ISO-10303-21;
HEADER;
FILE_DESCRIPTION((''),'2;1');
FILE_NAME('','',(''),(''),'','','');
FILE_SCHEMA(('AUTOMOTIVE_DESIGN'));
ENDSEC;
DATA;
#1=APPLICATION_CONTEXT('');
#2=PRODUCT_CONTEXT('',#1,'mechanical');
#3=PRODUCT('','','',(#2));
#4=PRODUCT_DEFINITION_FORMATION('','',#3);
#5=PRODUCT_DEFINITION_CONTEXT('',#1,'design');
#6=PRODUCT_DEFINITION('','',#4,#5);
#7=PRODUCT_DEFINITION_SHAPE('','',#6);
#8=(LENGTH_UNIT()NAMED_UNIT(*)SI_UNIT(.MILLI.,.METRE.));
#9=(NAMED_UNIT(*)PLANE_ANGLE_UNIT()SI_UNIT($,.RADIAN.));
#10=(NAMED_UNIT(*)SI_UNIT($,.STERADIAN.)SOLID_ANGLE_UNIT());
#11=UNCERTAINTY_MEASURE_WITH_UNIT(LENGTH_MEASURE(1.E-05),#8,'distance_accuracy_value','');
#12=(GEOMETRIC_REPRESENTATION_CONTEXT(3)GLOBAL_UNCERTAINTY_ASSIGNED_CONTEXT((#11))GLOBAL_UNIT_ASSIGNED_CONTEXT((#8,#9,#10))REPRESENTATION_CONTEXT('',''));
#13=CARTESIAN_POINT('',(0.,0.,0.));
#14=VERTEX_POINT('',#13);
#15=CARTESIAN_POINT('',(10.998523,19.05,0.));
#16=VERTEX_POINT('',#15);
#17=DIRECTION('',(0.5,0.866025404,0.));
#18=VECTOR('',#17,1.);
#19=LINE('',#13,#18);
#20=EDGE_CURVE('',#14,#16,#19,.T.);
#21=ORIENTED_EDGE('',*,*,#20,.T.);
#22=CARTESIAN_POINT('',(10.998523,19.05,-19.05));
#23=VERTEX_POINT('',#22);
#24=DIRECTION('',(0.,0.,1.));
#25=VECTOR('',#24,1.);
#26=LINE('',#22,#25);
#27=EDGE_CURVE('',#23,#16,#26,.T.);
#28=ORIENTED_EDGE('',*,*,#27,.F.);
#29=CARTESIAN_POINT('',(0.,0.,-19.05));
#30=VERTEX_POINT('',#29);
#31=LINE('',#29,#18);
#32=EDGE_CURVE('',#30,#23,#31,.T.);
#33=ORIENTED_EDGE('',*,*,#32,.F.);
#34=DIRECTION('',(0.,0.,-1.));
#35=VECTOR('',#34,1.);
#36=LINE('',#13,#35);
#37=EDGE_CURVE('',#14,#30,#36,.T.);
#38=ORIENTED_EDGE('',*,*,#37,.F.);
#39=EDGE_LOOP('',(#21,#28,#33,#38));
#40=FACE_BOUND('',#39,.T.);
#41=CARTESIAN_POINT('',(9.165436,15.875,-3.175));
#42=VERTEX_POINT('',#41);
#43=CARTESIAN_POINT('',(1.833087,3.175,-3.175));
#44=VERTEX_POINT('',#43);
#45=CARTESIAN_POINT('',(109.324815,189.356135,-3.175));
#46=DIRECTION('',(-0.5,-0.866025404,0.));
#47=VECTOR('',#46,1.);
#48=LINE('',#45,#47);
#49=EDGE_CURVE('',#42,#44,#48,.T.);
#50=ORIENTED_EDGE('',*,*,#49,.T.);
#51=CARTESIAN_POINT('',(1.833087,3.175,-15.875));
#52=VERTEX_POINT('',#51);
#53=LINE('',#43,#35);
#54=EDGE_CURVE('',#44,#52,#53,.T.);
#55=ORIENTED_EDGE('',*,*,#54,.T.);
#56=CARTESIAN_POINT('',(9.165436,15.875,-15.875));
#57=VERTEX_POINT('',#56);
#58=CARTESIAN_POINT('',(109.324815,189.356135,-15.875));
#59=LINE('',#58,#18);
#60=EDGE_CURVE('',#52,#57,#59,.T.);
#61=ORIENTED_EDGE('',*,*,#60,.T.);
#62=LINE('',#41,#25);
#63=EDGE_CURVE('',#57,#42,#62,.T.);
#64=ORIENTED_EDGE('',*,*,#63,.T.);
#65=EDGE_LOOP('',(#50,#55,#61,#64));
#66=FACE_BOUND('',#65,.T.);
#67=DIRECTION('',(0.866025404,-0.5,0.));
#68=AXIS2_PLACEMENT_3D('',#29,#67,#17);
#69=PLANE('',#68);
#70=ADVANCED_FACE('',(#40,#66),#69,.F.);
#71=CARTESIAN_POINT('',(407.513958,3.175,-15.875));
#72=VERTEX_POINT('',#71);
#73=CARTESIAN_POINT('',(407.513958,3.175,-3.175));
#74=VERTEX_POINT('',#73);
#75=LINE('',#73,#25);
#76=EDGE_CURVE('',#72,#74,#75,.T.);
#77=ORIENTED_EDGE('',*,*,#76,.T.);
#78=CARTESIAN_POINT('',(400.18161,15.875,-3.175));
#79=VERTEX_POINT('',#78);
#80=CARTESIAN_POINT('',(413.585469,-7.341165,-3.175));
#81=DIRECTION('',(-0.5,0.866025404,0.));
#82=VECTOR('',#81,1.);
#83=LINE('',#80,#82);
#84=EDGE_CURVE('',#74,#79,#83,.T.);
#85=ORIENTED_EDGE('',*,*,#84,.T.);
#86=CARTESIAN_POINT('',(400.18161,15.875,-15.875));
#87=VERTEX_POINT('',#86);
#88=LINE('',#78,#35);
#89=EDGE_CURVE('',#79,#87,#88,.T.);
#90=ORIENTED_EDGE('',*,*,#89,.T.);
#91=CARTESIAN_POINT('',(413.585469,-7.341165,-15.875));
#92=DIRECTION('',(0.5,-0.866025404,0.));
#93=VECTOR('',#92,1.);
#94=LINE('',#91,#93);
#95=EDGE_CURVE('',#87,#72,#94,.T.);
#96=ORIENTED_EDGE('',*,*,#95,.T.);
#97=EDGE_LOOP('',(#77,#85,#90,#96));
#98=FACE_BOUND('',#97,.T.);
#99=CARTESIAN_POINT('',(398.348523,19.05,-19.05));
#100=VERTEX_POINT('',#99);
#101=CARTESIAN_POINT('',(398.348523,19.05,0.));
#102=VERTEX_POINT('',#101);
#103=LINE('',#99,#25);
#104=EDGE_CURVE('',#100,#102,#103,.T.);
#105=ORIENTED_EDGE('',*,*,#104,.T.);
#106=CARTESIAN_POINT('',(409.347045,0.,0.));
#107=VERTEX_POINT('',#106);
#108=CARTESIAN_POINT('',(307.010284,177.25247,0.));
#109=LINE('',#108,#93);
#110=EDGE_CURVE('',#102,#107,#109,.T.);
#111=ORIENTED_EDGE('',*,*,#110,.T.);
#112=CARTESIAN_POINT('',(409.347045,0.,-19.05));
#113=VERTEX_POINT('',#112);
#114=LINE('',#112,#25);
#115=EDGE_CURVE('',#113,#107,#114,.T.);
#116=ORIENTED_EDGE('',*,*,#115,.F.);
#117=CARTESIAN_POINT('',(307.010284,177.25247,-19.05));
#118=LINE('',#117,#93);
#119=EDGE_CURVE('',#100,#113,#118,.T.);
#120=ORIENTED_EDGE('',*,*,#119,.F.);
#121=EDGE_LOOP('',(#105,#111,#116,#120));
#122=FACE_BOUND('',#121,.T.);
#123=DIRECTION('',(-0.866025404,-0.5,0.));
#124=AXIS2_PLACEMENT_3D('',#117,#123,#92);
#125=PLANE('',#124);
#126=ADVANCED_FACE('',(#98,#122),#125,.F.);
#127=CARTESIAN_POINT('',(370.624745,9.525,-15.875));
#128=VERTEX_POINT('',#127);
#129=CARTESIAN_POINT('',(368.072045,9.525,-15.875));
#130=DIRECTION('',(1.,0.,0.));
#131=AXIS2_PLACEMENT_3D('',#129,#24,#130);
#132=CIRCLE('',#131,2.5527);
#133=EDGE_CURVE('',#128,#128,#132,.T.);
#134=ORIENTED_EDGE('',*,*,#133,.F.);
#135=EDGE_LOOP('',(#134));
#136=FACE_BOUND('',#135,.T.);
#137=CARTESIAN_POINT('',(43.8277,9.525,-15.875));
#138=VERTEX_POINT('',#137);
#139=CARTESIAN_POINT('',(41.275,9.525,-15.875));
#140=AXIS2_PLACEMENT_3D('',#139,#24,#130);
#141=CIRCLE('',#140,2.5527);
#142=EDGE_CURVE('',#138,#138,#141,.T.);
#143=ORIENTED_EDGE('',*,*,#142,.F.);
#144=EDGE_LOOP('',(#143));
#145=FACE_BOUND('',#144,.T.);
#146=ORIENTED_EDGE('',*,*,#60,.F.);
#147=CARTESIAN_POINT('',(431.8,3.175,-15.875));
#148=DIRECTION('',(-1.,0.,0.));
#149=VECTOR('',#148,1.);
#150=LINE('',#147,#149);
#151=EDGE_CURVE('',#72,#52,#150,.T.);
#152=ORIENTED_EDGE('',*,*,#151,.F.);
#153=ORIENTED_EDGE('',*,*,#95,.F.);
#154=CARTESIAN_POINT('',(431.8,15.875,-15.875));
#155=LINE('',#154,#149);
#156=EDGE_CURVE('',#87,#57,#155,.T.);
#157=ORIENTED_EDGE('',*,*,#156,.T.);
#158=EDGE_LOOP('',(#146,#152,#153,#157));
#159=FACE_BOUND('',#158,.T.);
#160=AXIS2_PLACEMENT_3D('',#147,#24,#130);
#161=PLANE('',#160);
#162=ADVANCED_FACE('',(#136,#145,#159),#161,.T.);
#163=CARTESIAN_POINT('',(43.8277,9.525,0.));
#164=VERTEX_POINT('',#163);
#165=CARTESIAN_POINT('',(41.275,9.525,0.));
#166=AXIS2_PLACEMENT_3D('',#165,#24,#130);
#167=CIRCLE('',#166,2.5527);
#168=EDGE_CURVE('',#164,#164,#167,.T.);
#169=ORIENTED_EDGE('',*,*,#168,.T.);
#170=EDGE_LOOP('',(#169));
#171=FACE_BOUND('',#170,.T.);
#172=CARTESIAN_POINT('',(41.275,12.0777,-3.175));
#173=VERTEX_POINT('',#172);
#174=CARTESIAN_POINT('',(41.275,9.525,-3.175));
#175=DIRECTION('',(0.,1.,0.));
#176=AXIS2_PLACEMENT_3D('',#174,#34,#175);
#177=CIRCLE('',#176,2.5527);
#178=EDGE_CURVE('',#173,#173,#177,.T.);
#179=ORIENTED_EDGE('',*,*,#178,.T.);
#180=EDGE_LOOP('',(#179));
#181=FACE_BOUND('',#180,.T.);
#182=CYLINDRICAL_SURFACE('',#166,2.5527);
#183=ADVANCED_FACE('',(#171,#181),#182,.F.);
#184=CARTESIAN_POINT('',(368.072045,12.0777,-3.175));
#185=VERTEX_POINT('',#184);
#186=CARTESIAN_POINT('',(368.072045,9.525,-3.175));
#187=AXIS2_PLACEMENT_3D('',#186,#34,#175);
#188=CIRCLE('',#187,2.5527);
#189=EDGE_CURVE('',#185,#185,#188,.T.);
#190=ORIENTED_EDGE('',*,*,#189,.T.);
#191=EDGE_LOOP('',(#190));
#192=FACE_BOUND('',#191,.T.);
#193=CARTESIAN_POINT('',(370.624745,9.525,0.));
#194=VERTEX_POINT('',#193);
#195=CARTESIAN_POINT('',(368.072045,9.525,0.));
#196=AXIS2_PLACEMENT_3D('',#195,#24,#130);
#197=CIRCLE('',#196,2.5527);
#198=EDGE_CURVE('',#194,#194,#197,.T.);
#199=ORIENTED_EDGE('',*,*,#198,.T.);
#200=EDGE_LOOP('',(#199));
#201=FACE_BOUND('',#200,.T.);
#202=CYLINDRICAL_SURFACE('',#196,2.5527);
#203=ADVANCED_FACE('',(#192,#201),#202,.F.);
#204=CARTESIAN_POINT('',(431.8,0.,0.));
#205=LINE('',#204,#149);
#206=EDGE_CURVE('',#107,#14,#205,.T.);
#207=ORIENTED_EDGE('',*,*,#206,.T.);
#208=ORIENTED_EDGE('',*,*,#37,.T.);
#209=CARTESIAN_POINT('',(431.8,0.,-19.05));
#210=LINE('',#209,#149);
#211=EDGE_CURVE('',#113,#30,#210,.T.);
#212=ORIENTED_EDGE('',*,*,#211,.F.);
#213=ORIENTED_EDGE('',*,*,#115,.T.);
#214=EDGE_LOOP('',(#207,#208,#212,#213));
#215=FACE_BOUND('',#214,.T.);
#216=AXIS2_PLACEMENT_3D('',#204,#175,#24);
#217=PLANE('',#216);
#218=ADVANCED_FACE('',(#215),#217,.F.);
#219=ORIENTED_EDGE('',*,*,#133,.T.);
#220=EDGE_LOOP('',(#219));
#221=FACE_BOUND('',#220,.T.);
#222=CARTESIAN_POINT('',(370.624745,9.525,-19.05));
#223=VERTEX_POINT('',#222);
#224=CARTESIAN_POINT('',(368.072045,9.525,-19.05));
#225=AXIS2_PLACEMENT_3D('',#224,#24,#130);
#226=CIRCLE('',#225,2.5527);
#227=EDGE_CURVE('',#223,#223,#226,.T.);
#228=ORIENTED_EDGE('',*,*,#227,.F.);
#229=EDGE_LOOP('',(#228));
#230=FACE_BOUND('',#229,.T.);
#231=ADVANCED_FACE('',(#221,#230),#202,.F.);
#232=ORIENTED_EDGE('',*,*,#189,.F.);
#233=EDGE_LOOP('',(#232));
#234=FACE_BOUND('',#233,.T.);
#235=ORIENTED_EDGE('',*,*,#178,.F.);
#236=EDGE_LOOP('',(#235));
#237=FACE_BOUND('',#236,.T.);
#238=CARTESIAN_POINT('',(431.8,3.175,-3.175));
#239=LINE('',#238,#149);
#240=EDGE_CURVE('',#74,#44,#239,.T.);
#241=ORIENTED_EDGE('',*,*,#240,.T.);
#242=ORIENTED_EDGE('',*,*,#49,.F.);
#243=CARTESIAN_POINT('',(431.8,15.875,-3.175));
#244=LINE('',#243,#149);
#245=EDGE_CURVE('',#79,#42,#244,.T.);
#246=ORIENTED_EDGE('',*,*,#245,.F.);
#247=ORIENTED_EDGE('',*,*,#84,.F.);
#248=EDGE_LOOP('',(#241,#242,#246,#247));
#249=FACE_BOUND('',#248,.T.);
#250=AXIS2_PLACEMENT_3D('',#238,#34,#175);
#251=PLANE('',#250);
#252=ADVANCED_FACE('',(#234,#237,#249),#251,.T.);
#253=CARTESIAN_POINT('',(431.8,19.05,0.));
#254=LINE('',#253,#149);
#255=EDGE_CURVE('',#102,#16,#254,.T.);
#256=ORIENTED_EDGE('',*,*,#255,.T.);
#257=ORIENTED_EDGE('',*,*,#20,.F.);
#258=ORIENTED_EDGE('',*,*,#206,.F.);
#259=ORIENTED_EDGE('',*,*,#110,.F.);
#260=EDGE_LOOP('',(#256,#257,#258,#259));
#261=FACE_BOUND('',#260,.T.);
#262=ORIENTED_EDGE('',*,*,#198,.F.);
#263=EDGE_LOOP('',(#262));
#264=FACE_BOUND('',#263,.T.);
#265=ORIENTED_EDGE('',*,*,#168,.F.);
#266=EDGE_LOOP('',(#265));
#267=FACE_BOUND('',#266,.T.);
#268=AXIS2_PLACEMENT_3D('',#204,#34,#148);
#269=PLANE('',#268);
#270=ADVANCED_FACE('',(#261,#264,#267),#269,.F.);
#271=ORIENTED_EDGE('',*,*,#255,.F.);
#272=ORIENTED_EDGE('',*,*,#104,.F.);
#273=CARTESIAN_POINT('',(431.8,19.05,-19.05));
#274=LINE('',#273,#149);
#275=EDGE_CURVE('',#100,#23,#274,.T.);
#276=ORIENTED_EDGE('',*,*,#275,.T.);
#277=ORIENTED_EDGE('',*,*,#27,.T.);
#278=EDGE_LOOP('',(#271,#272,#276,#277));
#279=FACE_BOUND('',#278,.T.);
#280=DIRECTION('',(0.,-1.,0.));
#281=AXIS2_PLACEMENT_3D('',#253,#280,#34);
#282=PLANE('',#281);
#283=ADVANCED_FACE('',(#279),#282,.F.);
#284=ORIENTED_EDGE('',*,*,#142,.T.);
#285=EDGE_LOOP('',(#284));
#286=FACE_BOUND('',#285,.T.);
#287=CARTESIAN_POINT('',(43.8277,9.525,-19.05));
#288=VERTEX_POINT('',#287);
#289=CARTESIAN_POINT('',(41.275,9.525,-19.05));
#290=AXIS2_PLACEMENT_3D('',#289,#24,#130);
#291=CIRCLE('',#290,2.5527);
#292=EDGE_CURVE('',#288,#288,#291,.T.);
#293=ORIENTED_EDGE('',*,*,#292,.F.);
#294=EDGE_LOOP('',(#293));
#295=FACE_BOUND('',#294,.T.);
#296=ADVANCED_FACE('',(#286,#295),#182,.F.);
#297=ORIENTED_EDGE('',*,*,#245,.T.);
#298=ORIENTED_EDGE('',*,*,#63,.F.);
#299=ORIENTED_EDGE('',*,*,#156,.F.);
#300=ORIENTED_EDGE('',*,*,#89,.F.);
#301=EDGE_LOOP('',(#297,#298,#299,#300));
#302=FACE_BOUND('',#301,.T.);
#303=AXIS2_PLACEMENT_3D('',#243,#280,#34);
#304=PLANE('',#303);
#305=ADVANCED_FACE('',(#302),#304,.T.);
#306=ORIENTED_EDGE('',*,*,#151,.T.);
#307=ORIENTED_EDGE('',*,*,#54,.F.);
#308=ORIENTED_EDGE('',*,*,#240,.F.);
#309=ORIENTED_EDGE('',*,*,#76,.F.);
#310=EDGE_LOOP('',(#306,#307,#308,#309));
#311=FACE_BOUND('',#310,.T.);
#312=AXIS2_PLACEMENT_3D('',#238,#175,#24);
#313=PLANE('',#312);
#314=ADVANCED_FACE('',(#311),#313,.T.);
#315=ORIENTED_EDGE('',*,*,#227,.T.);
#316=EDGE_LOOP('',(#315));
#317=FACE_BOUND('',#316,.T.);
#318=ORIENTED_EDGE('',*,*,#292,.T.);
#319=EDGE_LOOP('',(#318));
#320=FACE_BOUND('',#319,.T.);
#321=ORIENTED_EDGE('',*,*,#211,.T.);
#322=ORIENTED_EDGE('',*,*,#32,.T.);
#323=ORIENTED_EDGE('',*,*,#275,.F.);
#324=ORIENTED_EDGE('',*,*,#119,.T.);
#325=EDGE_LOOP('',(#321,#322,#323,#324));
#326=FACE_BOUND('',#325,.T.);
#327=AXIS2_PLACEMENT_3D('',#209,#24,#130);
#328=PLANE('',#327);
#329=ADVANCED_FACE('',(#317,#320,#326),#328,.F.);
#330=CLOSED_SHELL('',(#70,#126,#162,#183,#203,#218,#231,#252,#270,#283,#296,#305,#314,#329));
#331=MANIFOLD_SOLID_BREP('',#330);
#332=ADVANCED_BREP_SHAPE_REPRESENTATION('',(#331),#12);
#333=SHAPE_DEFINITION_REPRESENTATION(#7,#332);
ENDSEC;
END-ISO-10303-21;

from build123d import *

# Parameters (mm, degrees)
SKETCH1_W              = 19.05
SKETCH1_H              = 19.05
SKETCH1_W_2            = 12.7
SKETCH1_H_2            = 12.7
BOSS_EXTRUDE1_DEPTH    = 431.8
CUT_EXTRUDE1_DEPTH     = 20.05
F_10_CLEARANCE_HOLE1_D = 5.1054


with BuildPart() as part:
    # Sketch1 → Boss-Extrude1 (new body)
    with BuildSketch(Plane(origin=(0, 0, 0), x_dir=(0, 0, -1), z_dir=(1, 0, 0))):
        with Locations((9.525, 9.525)):
            Rectangle(SKETCH1_W, SKETCH1_H)
        with Locations((9.525, 9.525)):
            Rectangle(SKETCH1_W_2, SKETCH1_H_2, mode=Mode.SUBTRACT)
    extrude(amount=BOSS_EXTRUDE1_DEPTH)

    # Sketch2 → Cut-Extrude1 (cut, through all)
    with BuildSketch(Plane.XY):
        Polygon((398.348522628, 19.05), (409.347045256, 0), (431.8, 0), (431.8, 19.05), align=None)
        Polygon((0, 19.05), (0, 0), (10.998522628, 19.05), align=None)
    extrude(amount=-CUT_EXTRUDE1_DEPTH, mode=Mode.SUBTRACT)

    # #10 Clearance Hole1 (through all)
    with Locations(Plane(origin=(368.072045256, 9.525, 0), x_dir=(1, 0, 0), z_dir=(0, 0, 1))):
        with Locations((0, 0), (-326.797045256, 0)):
            Hole(F_10_CLEARANCE_HOLE1_D / 2)


solid = part.part
